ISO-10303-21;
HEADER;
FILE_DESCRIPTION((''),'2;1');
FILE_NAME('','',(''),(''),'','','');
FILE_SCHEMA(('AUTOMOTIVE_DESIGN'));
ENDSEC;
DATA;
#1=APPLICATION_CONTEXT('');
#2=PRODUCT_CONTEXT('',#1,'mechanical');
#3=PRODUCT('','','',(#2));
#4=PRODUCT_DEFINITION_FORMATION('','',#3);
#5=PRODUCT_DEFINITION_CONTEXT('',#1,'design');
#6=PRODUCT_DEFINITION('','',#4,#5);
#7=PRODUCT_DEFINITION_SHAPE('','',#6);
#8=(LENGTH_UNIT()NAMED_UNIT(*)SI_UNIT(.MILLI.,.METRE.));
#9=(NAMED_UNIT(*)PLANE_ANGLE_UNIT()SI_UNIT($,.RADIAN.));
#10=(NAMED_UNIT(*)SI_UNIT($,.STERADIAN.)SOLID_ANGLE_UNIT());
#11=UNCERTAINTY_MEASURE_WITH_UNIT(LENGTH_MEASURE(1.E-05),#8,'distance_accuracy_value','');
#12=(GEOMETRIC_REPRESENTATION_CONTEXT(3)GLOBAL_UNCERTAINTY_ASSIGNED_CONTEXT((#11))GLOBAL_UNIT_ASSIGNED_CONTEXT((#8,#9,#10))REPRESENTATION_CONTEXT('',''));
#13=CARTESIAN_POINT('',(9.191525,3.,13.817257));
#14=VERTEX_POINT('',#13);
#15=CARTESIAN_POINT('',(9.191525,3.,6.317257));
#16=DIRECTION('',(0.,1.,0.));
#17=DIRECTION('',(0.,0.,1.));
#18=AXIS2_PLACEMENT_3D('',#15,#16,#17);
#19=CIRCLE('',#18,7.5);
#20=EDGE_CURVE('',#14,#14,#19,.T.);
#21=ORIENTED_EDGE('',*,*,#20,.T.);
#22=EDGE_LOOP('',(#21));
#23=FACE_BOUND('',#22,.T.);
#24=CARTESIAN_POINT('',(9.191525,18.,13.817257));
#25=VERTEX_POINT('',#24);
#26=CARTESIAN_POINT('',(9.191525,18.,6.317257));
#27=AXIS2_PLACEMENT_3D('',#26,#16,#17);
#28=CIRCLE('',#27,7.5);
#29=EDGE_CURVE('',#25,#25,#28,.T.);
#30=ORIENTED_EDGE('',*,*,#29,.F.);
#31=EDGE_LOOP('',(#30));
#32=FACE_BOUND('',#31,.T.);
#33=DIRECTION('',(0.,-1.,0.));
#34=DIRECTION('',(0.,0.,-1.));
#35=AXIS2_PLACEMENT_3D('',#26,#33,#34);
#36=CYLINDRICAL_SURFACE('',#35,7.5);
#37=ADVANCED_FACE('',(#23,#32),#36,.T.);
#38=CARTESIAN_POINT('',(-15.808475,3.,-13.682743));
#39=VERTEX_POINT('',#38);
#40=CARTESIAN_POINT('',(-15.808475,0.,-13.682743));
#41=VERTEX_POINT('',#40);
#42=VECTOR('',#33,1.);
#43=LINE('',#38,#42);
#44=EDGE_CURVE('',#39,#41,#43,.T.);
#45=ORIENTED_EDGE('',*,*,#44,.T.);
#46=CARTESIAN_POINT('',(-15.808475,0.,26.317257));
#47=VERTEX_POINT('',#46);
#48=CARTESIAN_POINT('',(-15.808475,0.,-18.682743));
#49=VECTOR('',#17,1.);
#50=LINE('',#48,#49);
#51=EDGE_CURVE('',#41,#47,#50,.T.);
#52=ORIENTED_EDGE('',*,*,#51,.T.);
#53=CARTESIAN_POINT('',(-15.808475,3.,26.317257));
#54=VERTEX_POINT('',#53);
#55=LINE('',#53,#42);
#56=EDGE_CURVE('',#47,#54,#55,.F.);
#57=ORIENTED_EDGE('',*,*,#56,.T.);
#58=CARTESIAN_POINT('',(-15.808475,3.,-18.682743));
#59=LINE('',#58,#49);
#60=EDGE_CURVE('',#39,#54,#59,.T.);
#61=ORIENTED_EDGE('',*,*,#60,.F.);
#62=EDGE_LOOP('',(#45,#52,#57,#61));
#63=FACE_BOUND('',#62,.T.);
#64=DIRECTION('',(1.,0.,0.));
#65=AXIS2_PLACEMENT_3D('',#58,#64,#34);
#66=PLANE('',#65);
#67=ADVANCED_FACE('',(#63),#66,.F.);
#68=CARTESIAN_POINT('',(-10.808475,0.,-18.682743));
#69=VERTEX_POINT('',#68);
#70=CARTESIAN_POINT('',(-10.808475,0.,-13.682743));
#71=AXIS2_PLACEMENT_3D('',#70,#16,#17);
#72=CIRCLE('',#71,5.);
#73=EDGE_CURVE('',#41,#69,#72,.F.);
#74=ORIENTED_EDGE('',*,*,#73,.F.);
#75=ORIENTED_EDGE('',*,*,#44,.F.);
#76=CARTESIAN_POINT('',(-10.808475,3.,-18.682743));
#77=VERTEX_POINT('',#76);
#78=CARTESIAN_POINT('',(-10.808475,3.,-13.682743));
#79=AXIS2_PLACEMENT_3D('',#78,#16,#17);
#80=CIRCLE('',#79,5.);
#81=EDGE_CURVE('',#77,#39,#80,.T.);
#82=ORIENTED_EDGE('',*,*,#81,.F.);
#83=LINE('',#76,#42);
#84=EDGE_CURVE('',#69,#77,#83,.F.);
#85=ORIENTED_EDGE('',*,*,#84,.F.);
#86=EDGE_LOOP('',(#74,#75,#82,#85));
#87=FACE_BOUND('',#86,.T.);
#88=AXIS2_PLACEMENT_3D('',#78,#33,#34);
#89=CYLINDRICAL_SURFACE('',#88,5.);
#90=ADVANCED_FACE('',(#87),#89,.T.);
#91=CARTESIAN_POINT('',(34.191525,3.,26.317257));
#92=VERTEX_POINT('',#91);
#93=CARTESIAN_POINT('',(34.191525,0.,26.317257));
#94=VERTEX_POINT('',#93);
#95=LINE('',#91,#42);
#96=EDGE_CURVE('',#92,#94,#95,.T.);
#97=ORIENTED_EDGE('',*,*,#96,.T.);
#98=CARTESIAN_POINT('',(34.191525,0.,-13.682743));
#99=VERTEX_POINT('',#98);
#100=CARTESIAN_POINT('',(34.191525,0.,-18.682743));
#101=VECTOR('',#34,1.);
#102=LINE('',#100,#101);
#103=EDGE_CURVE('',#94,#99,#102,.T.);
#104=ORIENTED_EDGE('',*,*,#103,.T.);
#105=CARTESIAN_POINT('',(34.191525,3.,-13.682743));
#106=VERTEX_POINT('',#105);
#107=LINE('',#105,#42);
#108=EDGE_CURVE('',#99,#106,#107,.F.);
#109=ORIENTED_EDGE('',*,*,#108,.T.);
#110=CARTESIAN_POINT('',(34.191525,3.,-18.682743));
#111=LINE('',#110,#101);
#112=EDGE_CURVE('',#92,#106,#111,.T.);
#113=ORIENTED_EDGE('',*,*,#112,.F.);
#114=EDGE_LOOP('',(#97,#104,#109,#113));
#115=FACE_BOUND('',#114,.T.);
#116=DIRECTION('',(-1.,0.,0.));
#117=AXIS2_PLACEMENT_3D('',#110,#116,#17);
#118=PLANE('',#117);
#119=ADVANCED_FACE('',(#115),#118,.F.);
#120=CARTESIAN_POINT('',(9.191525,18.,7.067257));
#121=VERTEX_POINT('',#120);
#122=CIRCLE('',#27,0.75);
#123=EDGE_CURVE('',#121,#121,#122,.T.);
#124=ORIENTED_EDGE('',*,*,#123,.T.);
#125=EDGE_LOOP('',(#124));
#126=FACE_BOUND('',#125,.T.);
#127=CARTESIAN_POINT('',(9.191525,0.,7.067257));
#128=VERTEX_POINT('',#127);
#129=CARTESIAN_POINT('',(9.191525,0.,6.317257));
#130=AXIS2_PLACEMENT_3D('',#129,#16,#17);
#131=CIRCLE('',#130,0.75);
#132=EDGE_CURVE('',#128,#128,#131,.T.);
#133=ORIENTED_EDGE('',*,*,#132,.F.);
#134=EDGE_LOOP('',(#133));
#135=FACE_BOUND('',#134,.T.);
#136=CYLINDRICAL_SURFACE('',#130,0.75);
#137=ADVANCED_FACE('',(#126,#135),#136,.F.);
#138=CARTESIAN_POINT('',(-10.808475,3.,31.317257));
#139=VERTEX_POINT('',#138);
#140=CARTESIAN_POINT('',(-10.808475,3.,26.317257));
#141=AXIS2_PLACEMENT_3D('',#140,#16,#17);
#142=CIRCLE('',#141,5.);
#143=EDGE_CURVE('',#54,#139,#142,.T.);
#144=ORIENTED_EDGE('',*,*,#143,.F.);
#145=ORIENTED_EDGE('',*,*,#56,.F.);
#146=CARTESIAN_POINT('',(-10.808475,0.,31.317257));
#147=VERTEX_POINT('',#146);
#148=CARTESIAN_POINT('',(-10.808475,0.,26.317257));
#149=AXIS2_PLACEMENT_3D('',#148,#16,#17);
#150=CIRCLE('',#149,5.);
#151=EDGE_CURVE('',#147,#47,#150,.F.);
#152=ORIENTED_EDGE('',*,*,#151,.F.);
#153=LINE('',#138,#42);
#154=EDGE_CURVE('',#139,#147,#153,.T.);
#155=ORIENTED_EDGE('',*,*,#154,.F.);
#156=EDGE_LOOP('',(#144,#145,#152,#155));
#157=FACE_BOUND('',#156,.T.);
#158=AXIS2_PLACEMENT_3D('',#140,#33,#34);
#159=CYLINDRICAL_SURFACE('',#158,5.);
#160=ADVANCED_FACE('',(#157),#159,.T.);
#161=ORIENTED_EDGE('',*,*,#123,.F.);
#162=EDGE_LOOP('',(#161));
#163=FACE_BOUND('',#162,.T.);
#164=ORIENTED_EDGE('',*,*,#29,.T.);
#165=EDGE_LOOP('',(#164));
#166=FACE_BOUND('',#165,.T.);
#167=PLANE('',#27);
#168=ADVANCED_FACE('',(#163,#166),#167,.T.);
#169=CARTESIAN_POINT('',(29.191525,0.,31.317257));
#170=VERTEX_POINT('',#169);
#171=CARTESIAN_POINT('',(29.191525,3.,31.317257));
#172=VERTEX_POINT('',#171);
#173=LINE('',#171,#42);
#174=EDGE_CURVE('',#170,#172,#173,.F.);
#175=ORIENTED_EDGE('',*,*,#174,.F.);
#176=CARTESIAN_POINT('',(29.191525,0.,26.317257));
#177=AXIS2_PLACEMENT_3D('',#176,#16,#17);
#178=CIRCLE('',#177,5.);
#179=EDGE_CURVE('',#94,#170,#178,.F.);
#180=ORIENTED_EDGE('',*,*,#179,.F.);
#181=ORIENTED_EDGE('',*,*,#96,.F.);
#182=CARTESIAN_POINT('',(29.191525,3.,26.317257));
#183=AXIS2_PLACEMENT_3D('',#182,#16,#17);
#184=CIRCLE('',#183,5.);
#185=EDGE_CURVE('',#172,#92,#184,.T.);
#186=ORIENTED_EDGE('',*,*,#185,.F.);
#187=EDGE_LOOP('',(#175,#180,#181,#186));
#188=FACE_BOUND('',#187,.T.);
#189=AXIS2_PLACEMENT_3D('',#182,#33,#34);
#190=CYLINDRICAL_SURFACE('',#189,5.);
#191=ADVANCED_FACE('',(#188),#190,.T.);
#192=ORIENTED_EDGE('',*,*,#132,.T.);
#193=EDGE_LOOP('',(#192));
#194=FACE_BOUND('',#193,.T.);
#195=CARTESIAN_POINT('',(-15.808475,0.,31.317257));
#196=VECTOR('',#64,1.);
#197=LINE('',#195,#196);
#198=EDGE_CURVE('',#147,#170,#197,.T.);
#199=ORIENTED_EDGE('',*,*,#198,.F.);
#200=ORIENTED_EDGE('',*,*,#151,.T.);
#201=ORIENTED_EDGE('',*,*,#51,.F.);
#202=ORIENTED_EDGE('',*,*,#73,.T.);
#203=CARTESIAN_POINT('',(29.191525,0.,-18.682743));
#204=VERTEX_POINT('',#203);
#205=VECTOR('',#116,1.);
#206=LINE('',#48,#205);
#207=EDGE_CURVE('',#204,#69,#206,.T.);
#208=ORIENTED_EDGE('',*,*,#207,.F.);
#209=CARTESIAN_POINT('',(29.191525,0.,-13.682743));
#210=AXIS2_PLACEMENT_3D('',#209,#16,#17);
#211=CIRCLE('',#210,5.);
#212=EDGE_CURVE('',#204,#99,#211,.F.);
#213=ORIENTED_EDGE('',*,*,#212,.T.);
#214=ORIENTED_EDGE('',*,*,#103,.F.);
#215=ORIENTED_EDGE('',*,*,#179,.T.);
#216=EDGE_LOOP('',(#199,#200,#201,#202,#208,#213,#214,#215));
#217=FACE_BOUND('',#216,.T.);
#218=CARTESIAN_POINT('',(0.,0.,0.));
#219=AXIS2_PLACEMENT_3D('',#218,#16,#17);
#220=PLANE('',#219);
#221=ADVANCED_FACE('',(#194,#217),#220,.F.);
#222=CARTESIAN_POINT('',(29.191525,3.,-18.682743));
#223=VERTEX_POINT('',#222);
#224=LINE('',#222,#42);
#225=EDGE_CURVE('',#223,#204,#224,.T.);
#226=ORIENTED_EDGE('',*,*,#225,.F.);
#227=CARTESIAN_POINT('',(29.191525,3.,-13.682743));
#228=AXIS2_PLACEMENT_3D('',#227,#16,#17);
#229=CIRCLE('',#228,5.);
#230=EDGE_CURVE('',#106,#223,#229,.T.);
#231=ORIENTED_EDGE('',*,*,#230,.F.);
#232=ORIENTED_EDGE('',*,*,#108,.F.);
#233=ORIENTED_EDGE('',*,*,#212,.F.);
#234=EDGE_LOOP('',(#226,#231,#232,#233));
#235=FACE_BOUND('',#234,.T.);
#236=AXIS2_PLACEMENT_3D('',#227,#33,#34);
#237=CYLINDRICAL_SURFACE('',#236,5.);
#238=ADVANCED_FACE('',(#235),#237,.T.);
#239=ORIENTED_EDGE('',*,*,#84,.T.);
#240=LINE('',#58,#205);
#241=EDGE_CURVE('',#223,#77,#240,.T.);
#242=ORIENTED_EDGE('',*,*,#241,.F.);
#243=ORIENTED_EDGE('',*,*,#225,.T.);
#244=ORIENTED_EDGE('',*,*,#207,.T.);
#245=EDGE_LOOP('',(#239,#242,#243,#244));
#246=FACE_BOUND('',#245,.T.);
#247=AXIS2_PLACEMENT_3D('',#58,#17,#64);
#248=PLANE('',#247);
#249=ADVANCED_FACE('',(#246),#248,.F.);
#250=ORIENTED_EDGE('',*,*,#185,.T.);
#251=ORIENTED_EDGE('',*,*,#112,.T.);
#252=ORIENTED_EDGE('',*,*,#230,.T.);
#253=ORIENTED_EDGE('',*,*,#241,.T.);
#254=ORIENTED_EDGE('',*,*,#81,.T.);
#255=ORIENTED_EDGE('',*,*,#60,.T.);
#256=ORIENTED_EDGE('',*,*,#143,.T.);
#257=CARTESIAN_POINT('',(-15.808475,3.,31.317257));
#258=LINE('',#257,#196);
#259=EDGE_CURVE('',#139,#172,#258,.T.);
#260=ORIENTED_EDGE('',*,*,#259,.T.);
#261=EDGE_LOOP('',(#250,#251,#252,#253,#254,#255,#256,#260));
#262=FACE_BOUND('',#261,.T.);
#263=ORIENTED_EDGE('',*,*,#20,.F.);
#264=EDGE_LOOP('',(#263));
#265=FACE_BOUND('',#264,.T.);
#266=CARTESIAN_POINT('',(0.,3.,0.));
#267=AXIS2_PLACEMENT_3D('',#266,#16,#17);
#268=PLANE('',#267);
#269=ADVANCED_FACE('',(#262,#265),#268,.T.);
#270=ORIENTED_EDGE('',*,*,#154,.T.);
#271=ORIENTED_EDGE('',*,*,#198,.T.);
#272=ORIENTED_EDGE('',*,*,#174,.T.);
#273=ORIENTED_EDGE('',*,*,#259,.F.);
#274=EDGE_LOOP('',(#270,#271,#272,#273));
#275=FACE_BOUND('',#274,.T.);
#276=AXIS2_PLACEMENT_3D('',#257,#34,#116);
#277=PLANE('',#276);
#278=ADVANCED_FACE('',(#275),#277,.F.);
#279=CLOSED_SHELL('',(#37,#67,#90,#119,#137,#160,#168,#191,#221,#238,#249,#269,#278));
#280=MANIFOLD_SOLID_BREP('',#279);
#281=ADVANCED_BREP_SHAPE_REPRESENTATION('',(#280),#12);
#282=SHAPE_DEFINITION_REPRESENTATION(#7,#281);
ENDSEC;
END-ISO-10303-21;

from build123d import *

# Parameters (mm, degrees)
SCHIZZO1_W                   = 50
SCHIZZO1_H                   = 50
ESTRUSIONE_ESTRUSIONE1_DEPTH = 3
RACCORDO1_R                  = 5
SCHIZZO2_R                   = 7.5
ESTRUSIONE_ESTRUSIONE2_DEPTH = 15
SCHIZZO3_R                   = 0.75
TAGLIO_ESTRUSIONE1_DEPTH     = 50.737621267


with BuildPart() as part:
    # Schizzo1 → Estrusione-Estrusione1 (new body)
    with BuildSketch(Plane(origin=(0, 0, 0), x_dir=(1, 0, 0), z_dir=(0, 1, 0))):
        with Locations((9.19152509, -6.317256925)):
            Rectangle(SCHIZZO1_W, SCHIZZO1_H)
    extrude(amount=ESTRUSIONE_ESTRUSIONE1_DEPTH)

    # Raccordo1
    raccordo1_edges = [part.edges().sort_by_distance(p)[0] for p in [
        (-15.80847491, 1.5, -18.682743075),
        (34.19152509, 1.5, -18.682743075),
        (34.19152509, 1.5, 31.317256925),
        (-15.80847491, 1.5, 31.317256925),
    ]]
    fillet(raccordo1_edges, radius=RACCORDO1_R)

    # Schizzo2 → Estrusione-Estrusione2 (add)
    with BuildSketch(Plane(origin=(0, 3, 0), x_dir=(1, 0, 0), z_dir=(0, 1, 0))):
        with Locations(Location((9.19152509, -6.317256925, 0), (0, 0, 270))):
            Circle(SCHIZZO2_R)
    extrude(amount=ESTRUSIONE_ESTRUSIONE2_DEPTH)

    # Schizzo3 → Taglio-Estrusione1 (cut, through all)
    with BuildSketch(Plane(origin=(0, 18, 0), x_dir=(1, 0, 0), z_dir=(0, 1, 0))):
        with Locations(Location((9.19152509, -6.317256925, 0), (0, 0, 270))):
            Circle(SCHIZZO3_R)
    extrude(amount=-TAGLIO_ESTRUSIONE1_DEPTH, mode=Mode.SUBTRACT)


solid = part.part
